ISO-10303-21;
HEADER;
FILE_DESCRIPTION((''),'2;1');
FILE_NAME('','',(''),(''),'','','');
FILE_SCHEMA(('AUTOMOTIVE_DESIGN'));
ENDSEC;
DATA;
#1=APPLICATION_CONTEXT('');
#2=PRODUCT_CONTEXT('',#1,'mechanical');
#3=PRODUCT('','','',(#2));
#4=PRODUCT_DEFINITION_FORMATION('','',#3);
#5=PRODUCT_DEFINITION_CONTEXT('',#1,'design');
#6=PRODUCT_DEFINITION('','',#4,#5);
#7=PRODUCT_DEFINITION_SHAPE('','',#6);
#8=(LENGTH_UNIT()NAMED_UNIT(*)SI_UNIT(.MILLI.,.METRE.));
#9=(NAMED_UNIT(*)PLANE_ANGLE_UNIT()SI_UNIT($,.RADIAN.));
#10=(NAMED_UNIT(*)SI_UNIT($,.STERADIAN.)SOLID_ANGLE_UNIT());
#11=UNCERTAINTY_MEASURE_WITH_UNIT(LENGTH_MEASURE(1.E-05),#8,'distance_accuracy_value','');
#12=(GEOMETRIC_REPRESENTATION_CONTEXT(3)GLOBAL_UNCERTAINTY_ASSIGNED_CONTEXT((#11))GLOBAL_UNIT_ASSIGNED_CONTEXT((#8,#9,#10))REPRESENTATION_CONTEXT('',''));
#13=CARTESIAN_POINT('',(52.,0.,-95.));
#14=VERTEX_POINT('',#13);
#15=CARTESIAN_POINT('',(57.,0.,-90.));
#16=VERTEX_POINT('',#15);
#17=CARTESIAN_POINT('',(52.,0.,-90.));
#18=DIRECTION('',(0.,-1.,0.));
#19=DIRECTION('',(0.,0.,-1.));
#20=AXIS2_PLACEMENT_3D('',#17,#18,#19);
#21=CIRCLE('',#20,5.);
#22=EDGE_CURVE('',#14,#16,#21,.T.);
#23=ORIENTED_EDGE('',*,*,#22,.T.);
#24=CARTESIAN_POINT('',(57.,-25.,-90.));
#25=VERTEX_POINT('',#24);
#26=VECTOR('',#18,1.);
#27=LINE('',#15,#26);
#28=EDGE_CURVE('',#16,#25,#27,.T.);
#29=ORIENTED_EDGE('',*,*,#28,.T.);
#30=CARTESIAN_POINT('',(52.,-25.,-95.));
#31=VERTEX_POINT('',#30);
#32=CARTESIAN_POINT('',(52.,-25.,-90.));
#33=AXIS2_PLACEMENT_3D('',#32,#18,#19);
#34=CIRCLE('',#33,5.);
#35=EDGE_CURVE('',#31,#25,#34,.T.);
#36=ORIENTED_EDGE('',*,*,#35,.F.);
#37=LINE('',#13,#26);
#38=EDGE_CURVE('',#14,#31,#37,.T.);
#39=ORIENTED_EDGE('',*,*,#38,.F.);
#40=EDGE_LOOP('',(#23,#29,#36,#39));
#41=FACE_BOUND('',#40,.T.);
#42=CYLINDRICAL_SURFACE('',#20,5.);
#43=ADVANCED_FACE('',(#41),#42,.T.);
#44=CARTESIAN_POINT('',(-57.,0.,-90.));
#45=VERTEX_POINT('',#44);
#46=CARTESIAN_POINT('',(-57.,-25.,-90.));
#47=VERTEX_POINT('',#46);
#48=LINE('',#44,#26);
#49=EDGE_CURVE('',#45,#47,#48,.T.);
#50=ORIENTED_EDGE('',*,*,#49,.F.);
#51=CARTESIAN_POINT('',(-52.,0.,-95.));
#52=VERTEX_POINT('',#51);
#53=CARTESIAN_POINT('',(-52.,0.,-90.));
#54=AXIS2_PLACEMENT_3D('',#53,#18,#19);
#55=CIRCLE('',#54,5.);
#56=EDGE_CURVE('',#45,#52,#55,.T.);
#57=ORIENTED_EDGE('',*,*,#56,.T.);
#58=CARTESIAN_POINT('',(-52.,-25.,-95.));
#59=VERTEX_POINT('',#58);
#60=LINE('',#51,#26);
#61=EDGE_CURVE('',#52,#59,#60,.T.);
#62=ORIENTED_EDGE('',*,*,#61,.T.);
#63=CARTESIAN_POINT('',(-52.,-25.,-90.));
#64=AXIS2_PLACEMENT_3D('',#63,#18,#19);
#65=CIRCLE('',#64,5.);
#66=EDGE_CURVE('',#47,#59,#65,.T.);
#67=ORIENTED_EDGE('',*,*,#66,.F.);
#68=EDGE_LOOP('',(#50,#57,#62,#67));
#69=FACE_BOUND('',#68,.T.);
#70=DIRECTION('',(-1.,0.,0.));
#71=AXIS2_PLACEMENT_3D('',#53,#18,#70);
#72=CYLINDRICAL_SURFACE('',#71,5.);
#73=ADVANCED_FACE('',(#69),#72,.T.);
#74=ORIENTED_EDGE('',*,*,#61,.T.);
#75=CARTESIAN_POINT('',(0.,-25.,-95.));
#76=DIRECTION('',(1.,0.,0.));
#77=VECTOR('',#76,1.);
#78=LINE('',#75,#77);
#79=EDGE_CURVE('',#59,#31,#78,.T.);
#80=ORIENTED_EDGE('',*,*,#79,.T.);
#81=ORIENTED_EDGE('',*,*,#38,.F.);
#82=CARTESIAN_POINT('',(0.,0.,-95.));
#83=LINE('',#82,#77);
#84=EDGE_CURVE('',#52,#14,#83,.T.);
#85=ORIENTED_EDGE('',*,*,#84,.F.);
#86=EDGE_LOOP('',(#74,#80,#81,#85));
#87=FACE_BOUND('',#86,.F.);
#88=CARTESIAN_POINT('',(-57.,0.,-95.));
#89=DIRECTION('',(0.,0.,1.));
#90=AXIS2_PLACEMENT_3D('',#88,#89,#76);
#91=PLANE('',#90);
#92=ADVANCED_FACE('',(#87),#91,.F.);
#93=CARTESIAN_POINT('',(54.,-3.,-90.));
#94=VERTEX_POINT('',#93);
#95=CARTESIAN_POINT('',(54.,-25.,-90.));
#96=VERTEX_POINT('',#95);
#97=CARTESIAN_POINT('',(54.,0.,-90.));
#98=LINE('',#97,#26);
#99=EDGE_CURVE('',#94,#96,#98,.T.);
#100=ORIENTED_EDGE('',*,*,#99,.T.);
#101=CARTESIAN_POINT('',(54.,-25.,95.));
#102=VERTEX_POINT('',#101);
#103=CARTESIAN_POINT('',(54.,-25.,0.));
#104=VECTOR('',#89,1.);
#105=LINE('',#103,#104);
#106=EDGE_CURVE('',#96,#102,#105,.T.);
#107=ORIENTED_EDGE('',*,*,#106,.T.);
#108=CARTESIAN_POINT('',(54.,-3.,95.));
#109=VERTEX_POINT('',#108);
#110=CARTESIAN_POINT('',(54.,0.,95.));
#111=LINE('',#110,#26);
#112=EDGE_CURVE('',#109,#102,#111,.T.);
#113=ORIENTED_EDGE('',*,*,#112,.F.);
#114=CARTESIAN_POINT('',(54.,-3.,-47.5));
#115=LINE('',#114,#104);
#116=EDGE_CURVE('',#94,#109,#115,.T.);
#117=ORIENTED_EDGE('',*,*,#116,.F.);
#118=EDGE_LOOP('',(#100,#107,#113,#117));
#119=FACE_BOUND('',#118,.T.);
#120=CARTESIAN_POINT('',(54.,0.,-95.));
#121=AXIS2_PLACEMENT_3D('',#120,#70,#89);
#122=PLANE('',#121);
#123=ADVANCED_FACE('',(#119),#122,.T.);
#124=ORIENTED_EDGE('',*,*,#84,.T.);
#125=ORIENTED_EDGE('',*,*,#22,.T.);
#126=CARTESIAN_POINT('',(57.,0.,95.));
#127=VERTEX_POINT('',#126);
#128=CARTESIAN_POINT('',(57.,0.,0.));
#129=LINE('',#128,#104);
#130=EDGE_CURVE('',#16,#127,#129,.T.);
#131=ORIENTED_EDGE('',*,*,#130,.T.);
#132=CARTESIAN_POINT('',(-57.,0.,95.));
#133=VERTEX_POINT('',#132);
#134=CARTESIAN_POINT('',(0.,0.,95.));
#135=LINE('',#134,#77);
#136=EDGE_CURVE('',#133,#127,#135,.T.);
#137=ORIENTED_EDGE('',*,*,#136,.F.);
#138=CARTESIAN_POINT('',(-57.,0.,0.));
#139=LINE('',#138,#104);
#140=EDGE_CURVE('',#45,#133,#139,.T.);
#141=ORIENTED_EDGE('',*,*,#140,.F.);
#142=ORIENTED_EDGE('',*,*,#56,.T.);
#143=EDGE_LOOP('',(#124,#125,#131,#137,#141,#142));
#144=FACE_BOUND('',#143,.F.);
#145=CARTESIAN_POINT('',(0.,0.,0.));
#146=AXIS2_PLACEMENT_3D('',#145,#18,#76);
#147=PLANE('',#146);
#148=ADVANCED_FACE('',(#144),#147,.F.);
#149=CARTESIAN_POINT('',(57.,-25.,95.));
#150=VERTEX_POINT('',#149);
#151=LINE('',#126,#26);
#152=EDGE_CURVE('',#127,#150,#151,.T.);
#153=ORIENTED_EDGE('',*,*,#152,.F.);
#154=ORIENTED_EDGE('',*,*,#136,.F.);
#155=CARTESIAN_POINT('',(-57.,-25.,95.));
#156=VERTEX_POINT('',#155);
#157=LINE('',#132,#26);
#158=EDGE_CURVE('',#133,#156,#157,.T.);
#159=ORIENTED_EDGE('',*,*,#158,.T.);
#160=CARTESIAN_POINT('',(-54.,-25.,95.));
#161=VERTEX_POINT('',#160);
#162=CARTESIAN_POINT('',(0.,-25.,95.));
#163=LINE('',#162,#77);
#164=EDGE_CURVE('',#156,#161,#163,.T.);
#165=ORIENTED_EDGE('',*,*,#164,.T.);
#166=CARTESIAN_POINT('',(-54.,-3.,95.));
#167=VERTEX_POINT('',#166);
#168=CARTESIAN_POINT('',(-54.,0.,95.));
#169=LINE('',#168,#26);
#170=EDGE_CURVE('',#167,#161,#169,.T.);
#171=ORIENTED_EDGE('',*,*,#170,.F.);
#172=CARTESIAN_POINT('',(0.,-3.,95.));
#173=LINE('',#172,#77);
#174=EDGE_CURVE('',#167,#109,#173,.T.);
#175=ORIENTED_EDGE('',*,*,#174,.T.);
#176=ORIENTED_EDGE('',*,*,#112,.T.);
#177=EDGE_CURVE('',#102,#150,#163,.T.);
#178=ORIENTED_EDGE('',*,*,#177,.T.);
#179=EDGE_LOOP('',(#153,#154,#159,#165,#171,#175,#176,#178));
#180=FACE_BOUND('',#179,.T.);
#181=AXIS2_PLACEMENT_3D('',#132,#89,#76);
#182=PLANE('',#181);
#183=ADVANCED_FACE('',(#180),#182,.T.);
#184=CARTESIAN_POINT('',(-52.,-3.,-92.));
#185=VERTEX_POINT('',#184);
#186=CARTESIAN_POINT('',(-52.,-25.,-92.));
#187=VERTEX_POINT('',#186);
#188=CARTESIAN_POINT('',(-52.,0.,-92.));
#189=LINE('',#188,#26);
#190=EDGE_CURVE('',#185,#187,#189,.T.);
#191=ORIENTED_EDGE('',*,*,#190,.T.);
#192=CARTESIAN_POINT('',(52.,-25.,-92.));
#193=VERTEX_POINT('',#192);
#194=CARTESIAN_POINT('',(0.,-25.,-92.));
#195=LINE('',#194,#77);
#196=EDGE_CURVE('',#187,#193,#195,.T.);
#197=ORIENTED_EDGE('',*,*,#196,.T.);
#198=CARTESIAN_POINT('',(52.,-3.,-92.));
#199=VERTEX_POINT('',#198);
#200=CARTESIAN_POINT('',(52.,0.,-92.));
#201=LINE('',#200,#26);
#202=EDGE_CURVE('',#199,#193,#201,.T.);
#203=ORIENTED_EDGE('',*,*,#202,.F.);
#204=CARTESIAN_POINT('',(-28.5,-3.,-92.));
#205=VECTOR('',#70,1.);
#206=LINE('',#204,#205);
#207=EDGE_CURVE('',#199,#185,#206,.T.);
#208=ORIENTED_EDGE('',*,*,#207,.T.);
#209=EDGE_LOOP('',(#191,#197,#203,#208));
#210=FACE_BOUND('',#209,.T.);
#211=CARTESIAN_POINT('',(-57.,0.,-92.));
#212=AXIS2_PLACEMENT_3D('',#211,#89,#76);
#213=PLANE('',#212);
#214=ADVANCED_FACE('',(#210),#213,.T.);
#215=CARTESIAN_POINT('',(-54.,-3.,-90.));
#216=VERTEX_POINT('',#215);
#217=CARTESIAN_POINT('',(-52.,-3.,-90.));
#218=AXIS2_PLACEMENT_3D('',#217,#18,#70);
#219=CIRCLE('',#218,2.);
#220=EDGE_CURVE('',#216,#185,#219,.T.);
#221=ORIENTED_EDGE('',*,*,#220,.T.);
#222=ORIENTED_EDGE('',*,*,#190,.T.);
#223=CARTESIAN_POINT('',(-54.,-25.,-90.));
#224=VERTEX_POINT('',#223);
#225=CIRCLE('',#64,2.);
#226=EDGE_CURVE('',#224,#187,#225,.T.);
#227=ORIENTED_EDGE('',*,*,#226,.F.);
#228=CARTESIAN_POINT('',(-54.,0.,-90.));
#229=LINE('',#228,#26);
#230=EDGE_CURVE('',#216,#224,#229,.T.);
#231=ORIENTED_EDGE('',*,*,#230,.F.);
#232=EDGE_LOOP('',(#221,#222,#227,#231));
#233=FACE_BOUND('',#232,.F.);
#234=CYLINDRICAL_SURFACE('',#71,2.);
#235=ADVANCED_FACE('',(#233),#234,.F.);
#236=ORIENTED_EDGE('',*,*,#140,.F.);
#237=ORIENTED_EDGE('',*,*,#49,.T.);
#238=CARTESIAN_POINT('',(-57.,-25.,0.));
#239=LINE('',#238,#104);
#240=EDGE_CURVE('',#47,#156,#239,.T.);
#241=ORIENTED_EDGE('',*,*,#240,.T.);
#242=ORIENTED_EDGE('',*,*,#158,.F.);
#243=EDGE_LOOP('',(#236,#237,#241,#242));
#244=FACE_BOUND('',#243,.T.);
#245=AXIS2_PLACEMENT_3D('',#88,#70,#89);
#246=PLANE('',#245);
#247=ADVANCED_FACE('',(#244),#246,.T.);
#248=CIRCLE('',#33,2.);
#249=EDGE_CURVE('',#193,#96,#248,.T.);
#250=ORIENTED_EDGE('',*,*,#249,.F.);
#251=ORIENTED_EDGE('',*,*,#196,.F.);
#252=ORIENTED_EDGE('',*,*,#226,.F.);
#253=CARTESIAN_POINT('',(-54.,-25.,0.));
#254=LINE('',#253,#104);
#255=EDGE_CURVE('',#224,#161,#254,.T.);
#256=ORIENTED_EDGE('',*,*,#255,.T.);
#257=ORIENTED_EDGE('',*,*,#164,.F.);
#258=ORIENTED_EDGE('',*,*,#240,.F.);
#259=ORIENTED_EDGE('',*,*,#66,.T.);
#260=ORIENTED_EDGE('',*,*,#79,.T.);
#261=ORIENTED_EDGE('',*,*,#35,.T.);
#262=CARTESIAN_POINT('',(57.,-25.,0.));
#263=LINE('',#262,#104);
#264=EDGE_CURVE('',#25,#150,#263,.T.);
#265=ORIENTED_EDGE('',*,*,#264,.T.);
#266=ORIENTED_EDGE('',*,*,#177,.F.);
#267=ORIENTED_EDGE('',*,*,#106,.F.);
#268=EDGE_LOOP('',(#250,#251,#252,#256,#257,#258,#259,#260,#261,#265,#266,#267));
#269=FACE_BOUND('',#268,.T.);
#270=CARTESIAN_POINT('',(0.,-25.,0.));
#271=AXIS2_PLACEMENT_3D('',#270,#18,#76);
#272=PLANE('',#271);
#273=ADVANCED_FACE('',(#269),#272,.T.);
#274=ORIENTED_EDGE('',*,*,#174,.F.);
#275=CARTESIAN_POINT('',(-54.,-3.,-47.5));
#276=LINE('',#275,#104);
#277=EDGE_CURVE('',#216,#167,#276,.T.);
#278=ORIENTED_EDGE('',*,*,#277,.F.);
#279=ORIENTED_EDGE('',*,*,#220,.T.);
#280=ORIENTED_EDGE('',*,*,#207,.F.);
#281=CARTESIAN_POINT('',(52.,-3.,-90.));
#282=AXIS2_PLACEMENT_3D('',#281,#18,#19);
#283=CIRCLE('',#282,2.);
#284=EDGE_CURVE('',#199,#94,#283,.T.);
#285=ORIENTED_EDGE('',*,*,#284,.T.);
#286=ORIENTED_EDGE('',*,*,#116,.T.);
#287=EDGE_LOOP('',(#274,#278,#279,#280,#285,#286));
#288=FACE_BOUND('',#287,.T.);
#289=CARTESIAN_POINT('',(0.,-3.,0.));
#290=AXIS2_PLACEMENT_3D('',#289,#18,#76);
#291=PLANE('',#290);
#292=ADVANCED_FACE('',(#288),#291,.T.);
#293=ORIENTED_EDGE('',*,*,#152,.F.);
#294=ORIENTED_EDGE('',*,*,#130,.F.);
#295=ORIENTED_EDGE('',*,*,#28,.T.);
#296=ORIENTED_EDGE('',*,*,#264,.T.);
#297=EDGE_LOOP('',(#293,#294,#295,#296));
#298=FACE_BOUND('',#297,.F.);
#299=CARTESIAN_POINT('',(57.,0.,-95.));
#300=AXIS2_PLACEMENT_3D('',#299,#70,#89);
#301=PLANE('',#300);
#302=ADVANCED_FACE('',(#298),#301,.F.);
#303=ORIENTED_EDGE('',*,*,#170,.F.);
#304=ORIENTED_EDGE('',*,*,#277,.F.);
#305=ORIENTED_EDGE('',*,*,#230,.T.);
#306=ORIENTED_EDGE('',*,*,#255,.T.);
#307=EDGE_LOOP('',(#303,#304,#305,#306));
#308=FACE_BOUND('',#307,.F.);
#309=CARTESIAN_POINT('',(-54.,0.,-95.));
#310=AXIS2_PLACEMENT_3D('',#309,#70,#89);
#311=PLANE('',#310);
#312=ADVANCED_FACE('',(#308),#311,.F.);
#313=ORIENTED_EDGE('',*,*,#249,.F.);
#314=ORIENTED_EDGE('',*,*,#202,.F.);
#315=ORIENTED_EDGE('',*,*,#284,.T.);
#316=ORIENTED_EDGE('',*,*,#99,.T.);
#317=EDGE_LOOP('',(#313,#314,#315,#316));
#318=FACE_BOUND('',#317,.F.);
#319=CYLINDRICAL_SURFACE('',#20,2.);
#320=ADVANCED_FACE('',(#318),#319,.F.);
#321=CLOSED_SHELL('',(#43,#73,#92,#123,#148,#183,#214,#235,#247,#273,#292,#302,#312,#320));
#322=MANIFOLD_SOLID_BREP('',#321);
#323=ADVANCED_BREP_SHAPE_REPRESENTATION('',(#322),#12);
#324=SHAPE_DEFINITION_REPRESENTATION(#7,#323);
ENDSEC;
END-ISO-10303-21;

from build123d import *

# Parameters (mm, degrees)
F0_W     = 114
F0_H     = 190
F1_DEPTH = 25
F2_R     = 5
F3_T     = -3


with BuildPart() as f1:
    # F0 (on Front) → F1 (new body)
    with BuildSketch(Plane.XZ):
        Rectangle(F0_W, F0_H)
    extrude(amount=F1_DEPTH)

    # F2
    f2_edges = [f1.edges().sort_by_distance(p)[0] for p in [
        (57, -12.5, -95),
        (-57, -12.5, -95),
    ]]
    fillet(f2_edges, radius=F2_R)

    # F3
    f3_openings = [f1.faces().sort_by_distance(p)[0] for p in [
        (0, -25, 0.046532),
        (0, -12.5, 95),
    ]]
    offset(amount=F3_T, openings=f3_openings)


solid = f1.part
